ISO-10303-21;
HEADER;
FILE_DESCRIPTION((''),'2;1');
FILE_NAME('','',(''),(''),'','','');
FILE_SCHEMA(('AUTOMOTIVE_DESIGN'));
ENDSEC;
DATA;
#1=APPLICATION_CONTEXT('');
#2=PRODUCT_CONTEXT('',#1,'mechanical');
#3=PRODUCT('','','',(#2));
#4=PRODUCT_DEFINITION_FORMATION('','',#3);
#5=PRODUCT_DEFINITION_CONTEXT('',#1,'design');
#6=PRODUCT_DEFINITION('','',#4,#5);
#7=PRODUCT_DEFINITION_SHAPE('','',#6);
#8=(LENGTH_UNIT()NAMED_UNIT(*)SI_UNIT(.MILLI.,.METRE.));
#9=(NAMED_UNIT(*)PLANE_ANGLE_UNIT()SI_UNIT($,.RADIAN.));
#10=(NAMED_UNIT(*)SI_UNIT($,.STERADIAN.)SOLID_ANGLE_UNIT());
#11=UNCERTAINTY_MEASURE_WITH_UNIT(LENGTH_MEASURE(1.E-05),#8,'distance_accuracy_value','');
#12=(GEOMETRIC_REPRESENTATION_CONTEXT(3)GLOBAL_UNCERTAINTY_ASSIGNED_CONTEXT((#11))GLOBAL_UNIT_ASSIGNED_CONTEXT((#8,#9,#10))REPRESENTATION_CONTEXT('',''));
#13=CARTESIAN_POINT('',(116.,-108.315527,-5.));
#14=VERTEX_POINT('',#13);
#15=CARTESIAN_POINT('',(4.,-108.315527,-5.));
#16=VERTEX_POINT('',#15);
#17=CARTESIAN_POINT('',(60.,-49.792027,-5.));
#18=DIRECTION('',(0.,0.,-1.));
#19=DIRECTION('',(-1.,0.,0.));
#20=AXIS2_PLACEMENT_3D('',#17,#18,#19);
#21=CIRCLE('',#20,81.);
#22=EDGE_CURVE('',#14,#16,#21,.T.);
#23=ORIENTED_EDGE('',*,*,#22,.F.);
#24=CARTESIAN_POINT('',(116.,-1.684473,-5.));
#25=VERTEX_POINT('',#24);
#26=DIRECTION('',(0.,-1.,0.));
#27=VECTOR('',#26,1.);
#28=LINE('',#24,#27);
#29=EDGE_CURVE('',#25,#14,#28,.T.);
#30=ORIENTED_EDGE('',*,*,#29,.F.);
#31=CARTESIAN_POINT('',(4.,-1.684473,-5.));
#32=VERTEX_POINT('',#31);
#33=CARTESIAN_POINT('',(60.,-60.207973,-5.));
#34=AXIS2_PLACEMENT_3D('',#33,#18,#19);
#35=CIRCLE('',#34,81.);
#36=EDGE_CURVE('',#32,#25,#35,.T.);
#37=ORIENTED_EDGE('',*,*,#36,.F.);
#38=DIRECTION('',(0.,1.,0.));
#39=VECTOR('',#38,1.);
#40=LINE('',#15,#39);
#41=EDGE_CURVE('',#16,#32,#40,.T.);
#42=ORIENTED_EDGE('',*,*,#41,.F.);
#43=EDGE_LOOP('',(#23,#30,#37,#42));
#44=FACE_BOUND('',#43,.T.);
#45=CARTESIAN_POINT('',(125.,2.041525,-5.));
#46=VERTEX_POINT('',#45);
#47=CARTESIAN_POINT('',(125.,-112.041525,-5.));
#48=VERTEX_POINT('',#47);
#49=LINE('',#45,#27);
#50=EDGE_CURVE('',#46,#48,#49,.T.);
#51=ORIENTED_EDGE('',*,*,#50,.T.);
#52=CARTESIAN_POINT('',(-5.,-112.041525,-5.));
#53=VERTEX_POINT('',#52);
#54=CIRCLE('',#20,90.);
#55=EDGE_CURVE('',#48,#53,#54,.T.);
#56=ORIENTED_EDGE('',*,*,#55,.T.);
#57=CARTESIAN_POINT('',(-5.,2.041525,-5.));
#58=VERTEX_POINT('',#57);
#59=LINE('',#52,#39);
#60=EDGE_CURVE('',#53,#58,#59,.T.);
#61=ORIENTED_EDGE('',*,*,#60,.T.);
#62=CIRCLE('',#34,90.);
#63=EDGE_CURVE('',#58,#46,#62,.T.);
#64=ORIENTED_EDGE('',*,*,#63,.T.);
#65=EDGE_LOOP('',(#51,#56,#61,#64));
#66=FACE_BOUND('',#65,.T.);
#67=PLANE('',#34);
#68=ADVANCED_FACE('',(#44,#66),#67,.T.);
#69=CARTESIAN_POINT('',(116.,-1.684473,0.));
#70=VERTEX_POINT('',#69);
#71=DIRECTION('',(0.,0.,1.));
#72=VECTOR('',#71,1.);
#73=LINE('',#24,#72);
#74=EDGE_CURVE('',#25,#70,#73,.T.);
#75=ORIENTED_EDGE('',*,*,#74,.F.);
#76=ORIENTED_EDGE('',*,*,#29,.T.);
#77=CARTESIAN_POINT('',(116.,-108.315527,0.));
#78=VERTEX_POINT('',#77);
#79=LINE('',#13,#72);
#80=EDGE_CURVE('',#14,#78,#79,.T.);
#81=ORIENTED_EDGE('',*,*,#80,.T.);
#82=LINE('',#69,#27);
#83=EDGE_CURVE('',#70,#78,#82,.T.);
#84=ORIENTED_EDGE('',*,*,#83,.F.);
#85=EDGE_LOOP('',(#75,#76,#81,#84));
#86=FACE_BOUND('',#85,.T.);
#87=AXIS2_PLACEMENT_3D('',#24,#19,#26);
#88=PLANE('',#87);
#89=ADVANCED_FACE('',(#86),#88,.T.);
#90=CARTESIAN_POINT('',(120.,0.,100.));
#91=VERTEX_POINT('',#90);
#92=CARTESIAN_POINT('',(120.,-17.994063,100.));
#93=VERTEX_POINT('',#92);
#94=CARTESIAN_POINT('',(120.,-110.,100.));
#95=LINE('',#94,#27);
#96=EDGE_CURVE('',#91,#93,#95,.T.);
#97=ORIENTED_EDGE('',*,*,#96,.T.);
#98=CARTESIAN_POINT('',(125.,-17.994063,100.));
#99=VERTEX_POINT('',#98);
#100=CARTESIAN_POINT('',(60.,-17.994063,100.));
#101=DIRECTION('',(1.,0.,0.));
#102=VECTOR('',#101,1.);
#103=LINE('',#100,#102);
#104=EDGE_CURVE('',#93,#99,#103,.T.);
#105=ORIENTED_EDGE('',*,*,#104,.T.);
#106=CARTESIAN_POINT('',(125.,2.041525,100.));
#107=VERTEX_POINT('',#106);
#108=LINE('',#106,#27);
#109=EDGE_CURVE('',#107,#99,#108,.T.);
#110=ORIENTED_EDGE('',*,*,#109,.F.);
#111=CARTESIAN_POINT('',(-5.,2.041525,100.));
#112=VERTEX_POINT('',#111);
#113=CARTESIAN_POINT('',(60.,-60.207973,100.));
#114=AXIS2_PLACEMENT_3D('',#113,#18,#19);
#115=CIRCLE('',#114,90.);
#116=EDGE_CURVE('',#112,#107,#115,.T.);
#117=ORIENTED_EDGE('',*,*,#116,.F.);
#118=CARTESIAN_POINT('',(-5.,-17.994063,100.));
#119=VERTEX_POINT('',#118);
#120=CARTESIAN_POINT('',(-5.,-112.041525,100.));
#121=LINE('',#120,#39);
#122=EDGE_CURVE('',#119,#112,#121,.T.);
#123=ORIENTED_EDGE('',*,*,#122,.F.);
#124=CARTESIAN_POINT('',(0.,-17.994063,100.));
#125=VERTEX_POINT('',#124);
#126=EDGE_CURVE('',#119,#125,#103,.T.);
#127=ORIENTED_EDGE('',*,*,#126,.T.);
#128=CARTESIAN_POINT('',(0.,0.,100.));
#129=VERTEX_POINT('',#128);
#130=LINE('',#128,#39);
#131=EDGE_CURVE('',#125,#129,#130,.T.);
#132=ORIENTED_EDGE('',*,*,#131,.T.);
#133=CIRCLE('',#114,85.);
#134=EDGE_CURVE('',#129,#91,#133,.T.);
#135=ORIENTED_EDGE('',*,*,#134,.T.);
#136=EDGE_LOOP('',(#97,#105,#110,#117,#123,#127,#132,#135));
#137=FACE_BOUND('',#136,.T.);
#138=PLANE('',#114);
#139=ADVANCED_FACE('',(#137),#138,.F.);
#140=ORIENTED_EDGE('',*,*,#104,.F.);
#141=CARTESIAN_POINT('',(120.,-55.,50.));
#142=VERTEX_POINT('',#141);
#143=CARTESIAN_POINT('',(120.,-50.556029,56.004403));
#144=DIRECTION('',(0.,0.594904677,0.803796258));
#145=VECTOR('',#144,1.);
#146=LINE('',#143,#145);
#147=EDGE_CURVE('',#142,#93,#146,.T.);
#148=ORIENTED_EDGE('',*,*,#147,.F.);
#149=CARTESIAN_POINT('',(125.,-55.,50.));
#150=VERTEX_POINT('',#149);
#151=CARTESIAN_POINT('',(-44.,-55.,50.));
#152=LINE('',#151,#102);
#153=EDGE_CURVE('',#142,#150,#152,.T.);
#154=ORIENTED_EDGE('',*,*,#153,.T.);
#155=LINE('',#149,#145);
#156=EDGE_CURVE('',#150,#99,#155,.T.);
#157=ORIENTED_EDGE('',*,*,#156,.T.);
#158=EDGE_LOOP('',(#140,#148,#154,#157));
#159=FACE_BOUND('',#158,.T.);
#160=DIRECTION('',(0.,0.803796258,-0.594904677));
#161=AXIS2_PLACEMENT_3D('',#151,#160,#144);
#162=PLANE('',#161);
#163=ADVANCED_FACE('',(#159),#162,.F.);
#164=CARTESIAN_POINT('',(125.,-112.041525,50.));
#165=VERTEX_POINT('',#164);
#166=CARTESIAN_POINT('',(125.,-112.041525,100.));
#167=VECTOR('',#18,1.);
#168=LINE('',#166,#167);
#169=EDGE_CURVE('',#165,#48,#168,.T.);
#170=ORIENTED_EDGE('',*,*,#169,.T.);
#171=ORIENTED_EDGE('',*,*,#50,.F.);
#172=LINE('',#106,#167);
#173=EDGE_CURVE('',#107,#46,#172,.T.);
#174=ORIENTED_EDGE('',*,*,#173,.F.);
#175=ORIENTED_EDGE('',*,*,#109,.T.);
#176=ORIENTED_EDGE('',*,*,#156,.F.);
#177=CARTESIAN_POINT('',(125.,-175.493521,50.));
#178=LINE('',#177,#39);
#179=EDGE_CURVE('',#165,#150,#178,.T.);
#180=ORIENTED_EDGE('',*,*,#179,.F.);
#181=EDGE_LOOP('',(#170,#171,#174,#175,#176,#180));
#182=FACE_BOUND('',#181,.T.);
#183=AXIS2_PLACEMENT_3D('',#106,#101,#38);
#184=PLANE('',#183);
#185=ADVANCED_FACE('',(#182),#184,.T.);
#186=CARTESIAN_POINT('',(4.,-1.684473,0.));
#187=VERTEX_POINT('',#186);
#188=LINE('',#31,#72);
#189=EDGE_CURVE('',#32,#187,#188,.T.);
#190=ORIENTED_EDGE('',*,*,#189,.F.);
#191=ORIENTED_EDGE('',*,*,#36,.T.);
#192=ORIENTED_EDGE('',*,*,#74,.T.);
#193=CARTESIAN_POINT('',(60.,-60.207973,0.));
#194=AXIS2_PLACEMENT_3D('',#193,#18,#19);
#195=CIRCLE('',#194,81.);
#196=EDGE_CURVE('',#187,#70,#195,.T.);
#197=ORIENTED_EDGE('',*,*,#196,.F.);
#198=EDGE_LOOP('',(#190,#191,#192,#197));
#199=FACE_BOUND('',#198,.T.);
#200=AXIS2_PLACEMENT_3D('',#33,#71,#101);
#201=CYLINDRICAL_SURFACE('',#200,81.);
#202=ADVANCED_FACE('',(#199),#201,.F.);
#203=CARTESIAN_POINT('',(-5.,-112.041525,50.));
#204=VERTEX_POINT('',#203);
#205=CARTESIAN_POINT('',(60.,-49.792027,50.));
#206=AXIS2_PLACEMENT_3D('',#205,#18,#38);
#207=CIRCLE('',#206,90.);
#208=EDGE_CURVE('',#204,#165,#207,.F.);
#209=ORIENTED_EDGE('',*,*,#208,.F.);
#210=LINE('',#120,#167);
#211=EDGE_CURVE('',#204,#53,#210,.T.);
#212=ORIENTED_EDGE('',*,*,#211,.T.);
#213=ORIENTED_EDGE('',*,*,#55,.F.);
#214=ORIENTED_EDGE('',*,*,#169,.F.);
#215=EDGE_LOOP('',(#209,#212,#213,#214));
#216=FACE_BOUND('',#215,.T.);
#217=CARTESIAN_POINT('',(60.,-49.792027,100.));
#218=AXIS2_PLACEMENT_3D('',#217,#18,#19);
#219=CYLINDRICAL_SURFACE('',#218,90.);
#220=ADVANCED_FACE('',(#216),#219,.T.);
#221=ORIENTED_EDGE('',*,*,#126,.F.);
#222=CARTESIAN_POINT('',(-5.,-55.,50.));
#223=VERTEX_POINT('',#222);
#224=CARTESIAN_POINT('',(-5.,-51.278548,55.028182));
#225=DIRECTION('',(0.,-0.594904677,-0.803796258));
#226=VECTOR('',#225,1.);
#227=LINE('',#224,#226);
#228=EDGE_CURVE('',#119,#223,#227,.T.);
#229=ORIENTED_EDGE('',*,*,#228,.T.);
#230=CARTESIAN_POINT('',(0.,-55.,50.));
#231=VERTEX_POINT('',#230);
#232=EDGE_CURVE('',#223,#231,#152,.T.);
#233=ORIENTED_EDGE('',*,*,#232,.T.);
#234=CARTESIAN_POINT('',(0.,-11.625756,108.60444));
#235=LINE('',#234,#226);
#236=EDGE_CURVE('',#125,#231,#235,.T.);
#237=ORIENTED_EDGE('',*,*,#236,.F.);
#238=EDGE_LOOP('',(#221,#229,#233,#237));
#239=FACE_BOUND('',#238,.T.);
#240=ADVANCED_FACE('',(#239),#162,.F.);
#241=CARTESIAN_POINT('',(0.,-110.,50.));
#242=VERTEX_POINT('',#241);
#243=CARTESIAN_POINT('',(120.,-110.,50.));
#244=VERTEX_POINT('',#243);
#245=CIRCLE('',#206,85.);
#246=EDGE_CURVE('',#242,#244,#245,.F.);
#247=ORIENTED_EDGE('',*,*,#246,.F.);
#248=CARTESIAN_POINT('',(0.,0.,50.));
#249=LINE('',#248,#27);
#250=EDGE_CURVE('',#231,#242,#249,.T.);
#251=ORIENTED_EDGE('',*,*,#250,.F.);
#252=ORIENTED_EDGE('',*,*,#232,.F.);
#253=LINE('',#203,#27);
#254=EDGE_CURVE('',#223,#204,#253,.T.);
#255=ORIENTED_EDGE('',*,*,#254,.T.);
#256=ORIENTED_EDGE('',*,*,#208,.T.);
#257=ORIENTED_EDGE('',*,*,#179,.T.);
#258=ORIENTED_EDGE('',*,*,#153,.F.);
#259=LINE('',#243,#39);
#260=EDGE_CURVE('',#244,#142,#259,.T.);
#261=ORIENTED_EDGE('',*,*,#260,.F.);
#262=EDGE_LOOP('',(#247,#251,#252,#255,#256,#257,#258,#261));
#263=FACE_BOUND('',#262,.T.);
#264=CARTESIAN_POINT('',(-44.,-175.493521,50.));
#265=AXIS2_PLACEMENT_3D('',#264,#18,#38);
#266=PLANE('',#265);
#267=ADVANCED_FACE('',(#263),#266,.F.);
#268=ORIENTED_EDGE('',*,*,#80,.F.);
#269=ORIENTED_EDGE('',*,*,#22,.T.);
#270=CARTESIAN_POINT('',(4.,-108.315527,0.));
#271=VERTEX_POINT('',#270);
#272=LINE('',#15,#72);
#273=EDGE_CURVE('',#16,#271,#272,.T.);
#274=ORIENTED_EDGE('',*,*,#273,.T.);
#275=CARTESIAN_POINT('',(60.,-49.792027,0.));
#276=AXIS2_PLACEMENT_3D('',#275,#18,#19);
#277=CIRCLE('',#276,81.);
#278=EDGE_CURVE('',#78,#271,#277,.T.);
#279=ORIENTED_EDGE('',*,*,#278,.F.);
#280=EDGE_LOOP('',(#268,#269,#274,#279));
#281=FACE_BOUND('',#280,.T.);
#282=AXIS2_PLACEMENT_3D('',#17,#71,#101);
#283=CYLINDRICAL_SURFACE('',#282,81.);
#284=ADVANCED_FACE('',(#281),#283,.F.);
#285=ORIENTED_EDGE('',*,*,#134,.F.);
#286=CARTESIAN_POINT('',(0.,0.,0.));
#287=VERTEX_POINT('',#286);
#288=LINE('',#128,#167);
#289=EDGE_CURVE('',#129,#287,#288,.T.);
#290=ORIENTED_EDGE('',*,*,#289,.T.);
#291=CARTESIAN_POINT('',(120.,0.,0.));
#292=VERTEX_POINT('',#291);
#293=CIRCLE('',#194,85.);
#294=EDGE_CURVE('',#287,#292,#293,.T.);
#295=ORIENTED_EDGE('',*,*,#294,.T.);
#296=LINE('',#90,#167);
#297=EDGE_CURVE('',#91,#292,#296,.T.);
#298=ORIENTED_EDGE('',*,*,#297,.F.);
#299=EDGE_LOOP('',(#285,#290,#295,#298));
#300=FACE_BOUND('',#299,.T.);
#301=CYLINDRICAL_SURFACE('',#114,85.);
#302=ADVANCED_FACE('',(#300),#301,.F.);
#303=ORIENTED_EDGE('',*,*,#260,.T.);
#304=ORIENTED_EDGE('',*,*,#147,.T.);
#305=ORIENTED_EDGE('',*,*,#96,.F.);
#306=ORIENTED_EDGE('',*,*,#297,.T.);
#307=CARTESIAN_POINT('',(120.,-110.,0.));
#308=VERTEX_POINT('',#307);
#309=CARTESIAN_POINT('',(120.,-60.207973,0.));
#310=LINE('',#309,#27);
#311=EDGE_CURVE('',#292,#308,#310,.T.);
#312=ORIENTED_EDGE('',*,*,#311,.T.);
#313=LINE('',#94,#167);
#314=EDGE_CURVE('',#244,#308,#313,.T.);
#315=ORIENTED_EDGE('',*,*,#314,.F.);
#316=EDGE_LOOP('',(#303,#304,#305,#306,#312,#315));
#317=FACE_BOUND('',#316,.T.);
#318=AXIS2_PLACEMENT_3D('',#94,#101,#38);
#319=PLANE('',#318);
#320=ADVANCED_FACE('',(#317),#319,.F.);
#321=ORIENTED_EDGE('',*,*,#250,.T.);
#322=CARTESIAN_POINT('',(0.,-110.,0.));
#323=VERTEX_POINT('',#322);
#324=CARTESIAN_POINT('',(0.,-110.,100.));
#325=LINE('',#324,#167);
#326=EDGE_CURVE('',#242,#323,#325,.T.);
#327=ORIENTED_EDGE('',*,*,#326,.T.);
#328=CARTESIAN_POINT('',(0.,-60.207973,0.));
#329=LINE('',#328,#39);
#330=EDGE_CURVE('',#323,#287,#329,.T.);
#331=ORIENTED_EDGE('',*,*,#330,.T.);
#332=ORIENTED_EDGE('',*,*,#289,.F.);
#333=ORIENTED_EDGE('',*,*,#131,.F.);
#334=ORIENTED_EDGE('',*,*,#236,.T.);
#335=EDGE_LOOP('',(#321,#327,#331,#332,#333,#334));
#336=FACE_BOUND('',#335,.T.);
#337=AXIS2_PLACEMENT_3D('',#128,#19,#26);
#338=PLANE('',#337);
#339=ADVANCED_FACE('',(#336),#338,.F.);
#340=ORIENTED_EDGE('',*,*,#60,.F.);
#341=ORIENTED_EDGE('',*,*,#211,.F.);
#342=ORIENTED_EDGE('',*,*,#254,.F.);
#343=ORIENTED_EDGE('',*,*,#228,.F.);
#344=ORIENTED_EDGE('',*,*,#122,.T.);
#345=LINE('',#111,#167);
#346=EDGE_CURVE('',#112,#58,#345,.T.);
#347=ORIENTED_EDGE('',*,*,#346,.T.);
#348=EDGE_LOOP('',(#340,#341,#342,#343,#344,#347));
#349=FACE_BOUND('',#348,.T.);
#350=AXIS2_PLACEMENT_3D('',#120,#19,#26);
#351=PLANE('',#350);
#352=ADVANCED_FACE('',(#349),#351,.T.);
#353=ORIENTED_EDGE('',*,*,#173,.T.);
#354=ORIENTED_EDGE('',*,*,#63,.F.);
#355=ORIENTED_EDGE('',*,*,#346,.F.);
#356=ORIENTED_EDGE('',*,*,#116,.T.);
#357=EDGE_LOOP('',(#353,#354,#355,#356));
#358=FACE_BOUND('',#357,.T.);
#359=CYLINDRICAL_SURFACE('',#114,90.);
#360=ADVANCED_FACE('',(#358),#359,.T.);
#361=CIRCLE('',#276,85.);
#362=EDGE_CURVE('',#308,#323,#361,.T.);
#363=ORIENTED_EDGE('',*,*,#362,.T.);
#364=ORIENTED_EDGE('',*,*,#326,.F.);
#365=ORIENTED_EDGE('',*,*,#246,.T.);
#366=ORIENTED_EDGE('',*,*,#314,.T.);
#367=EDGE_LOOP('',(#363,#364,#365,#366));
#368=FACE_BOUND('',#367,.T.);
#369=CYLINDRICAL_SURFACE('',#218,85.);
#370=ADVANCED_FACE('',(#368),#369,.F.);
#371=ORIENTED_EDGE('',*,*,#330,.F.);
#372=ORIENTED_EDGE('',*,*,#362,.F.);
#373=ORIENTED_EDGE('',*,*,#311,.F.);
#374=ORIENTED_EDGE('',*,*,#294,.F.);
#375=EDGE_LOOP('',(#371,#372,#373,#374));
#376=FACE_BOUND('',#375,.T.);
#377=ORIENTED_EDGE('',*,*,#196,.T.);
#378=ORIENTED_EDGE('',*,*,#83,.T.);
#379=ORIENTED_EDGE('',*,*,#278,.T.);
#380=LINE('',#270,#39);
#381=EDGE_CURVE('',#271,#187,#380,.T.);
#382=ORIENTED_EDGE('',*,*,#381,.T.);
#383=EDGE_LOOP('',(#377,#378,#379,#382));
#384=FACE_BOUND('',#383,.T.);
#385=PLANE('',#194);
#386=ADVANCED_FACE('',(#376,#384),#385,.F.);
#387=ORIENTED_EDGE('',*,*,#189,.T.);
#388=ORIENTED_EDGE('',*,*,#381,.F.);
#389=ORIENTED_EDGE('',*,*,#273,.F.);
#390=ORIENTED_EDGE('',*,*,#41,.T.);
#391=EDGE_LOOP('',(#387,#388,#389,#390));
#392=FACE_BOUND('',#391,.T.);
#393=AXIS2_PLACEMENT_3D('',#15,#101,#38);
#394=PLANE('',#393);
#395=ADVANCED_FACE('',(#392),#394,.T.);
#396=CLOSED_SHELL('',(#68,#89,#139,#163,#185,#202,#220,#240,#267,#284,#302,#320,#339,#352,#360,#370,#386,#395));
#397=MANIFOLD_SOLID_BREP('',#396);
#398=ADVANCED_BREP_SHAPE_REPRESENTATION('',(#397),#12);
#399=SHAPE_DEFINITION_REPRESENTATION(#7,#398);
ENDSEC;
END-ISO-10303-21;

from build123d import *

# Parameters (mm, degrees)
ESBO_O1_W                = 95.625
ESBO_O1_H                = 63.75
RESSALTO_EXTRUS_O1_DEPTH = 50
RESSALTO_EXTRUS_O2_DEPTH = 100
CORTE_EXTRUS_O1_DEPTH    = 100
CORTE_EXTRUS_O2_DEPTH    = 169
RESSALTO_EXTRUS_O3_DEPTH = 5


with BuildPart() as part:
    # Esboço1 → Ressalto-extrusão1 (new body)
    with BuildSketch(Plane.XY):
        with BuildLine():
            Line((0, 0), (0, -110))
            ThreePointArc((0, -110), (60, -134.792027106), (120, -110))
            Line((120, -110), (120, 0))
            ThreePointArc((120, 0), (60, 24.792027106), (0, 0))
        make_face()
        with Locations((60, -55)):
            Rectangle(ESBO_O1_W, ESBO_O1_H, mode=Mode.SUBTRACT)
    extrude(amount=RESSALTO_EXTRUS_O1_DEPTH)

    # Esboço2 → Ressalto-extrusão2 (add)
    with BuildSketch(Plane(origin=(0, 0, 0), x_dir=(-1, 0, 0), z_dir=(0, 0, -1))):
        with BuildLine():
            Line((-125, 2.041525096), (-125, -112.041525096))
            ThreePointArc((-125, -112.041525096), (-60, -139.792027106), (5, -112.041525096))
            Line((5, -112.041525096), (5, 2.041525096))
            ThreePointArc((5, 2.041525096), (-60, 29.792027106), (-125, 2.041525096))
        make_face()
        with BuildLine():
            Line((0, 0), (0, -110))
            ThreePointArc((0, -110), (-60, -134.792027106), (-120, -110))
            Line((-120, -110), (-120, 0))
            ThreePointArc((-120, 0), (-60, 24.792027106), (0, 0))
        make_face(mode=Mode.SUBTRACT)
    extrude(amount=-RESSALTO_EXTRUS_O2_DEPTH)

    # Esboço3 → Corte-extrusão1 (cut)
    with BuildSketch(Plane.XY.offset(50)):
        with BuildLine():
            Line((0, 0), (0, -110))
            ThreePointArc((0, -110), (60, -134.792027106), (120, -110))
            Line((120, -110), (120, 0))
            ThreePointArc((120, 0), (60, 24.792027106), (0, 0))
        make_face()
    extrude(amount=-CORTE_EXTRUS_O1_DEPTH, mode=Mode.SUBTRACT)

    # Esboço4 → Corte-extrusão2 (cut)
    with BuildSketch(Plane(origin=(125, 0, 0), x_dir=(0, 0, -1), z_dir=(1, 0, 0))):
        Polygon((-50, -55), (-100, -17.994062777), (-100, -175.493521459), (-50, -175.493521459), align=None)
    extrude(amount=-CORTE_EXTRUS_O2_DEPTH, mode=Mode.SUBTRACT)

    # Esboço5 → Ressalto-extrusão3 (add)
    with BuildSketch(Plane(origin=(0, 0, 0), x_dir=(-1, 0, 0), z_dir=(0, 0, -1))):
        with BuildLine():
            Line((-125, 2.041525096), (-125, -112.041525096))
            ThreePointArc((-125, -112.041525096), (-60, -139.792027106), (5, -112.041525096))
            Line((5, -112.041525096), (5, 2.041525096))
            ThreePointArc((5, 2.041525096), (-60, 29.792027106), (-125, 2.041525096))
        make_face()
        with BuildLine():
            Line((-116, -1.68447334), (-116, -108.31552666))
            ThreePointArc((-116, -108.31552666), (-60, -130.792027106), (-4, -108.31552666))
            Line((-4, -108.31552666), (-4, -1.68447334))
            ThreePointArc((-4, -1.68447334), (-60, 20.792027106), (-116, -1.68447334))
        make_face(mode=Mode.SUBTRACT)
    extrude(amount=RESSALTO_EXTRUS_O3_DEPTH)


solid = part.part
